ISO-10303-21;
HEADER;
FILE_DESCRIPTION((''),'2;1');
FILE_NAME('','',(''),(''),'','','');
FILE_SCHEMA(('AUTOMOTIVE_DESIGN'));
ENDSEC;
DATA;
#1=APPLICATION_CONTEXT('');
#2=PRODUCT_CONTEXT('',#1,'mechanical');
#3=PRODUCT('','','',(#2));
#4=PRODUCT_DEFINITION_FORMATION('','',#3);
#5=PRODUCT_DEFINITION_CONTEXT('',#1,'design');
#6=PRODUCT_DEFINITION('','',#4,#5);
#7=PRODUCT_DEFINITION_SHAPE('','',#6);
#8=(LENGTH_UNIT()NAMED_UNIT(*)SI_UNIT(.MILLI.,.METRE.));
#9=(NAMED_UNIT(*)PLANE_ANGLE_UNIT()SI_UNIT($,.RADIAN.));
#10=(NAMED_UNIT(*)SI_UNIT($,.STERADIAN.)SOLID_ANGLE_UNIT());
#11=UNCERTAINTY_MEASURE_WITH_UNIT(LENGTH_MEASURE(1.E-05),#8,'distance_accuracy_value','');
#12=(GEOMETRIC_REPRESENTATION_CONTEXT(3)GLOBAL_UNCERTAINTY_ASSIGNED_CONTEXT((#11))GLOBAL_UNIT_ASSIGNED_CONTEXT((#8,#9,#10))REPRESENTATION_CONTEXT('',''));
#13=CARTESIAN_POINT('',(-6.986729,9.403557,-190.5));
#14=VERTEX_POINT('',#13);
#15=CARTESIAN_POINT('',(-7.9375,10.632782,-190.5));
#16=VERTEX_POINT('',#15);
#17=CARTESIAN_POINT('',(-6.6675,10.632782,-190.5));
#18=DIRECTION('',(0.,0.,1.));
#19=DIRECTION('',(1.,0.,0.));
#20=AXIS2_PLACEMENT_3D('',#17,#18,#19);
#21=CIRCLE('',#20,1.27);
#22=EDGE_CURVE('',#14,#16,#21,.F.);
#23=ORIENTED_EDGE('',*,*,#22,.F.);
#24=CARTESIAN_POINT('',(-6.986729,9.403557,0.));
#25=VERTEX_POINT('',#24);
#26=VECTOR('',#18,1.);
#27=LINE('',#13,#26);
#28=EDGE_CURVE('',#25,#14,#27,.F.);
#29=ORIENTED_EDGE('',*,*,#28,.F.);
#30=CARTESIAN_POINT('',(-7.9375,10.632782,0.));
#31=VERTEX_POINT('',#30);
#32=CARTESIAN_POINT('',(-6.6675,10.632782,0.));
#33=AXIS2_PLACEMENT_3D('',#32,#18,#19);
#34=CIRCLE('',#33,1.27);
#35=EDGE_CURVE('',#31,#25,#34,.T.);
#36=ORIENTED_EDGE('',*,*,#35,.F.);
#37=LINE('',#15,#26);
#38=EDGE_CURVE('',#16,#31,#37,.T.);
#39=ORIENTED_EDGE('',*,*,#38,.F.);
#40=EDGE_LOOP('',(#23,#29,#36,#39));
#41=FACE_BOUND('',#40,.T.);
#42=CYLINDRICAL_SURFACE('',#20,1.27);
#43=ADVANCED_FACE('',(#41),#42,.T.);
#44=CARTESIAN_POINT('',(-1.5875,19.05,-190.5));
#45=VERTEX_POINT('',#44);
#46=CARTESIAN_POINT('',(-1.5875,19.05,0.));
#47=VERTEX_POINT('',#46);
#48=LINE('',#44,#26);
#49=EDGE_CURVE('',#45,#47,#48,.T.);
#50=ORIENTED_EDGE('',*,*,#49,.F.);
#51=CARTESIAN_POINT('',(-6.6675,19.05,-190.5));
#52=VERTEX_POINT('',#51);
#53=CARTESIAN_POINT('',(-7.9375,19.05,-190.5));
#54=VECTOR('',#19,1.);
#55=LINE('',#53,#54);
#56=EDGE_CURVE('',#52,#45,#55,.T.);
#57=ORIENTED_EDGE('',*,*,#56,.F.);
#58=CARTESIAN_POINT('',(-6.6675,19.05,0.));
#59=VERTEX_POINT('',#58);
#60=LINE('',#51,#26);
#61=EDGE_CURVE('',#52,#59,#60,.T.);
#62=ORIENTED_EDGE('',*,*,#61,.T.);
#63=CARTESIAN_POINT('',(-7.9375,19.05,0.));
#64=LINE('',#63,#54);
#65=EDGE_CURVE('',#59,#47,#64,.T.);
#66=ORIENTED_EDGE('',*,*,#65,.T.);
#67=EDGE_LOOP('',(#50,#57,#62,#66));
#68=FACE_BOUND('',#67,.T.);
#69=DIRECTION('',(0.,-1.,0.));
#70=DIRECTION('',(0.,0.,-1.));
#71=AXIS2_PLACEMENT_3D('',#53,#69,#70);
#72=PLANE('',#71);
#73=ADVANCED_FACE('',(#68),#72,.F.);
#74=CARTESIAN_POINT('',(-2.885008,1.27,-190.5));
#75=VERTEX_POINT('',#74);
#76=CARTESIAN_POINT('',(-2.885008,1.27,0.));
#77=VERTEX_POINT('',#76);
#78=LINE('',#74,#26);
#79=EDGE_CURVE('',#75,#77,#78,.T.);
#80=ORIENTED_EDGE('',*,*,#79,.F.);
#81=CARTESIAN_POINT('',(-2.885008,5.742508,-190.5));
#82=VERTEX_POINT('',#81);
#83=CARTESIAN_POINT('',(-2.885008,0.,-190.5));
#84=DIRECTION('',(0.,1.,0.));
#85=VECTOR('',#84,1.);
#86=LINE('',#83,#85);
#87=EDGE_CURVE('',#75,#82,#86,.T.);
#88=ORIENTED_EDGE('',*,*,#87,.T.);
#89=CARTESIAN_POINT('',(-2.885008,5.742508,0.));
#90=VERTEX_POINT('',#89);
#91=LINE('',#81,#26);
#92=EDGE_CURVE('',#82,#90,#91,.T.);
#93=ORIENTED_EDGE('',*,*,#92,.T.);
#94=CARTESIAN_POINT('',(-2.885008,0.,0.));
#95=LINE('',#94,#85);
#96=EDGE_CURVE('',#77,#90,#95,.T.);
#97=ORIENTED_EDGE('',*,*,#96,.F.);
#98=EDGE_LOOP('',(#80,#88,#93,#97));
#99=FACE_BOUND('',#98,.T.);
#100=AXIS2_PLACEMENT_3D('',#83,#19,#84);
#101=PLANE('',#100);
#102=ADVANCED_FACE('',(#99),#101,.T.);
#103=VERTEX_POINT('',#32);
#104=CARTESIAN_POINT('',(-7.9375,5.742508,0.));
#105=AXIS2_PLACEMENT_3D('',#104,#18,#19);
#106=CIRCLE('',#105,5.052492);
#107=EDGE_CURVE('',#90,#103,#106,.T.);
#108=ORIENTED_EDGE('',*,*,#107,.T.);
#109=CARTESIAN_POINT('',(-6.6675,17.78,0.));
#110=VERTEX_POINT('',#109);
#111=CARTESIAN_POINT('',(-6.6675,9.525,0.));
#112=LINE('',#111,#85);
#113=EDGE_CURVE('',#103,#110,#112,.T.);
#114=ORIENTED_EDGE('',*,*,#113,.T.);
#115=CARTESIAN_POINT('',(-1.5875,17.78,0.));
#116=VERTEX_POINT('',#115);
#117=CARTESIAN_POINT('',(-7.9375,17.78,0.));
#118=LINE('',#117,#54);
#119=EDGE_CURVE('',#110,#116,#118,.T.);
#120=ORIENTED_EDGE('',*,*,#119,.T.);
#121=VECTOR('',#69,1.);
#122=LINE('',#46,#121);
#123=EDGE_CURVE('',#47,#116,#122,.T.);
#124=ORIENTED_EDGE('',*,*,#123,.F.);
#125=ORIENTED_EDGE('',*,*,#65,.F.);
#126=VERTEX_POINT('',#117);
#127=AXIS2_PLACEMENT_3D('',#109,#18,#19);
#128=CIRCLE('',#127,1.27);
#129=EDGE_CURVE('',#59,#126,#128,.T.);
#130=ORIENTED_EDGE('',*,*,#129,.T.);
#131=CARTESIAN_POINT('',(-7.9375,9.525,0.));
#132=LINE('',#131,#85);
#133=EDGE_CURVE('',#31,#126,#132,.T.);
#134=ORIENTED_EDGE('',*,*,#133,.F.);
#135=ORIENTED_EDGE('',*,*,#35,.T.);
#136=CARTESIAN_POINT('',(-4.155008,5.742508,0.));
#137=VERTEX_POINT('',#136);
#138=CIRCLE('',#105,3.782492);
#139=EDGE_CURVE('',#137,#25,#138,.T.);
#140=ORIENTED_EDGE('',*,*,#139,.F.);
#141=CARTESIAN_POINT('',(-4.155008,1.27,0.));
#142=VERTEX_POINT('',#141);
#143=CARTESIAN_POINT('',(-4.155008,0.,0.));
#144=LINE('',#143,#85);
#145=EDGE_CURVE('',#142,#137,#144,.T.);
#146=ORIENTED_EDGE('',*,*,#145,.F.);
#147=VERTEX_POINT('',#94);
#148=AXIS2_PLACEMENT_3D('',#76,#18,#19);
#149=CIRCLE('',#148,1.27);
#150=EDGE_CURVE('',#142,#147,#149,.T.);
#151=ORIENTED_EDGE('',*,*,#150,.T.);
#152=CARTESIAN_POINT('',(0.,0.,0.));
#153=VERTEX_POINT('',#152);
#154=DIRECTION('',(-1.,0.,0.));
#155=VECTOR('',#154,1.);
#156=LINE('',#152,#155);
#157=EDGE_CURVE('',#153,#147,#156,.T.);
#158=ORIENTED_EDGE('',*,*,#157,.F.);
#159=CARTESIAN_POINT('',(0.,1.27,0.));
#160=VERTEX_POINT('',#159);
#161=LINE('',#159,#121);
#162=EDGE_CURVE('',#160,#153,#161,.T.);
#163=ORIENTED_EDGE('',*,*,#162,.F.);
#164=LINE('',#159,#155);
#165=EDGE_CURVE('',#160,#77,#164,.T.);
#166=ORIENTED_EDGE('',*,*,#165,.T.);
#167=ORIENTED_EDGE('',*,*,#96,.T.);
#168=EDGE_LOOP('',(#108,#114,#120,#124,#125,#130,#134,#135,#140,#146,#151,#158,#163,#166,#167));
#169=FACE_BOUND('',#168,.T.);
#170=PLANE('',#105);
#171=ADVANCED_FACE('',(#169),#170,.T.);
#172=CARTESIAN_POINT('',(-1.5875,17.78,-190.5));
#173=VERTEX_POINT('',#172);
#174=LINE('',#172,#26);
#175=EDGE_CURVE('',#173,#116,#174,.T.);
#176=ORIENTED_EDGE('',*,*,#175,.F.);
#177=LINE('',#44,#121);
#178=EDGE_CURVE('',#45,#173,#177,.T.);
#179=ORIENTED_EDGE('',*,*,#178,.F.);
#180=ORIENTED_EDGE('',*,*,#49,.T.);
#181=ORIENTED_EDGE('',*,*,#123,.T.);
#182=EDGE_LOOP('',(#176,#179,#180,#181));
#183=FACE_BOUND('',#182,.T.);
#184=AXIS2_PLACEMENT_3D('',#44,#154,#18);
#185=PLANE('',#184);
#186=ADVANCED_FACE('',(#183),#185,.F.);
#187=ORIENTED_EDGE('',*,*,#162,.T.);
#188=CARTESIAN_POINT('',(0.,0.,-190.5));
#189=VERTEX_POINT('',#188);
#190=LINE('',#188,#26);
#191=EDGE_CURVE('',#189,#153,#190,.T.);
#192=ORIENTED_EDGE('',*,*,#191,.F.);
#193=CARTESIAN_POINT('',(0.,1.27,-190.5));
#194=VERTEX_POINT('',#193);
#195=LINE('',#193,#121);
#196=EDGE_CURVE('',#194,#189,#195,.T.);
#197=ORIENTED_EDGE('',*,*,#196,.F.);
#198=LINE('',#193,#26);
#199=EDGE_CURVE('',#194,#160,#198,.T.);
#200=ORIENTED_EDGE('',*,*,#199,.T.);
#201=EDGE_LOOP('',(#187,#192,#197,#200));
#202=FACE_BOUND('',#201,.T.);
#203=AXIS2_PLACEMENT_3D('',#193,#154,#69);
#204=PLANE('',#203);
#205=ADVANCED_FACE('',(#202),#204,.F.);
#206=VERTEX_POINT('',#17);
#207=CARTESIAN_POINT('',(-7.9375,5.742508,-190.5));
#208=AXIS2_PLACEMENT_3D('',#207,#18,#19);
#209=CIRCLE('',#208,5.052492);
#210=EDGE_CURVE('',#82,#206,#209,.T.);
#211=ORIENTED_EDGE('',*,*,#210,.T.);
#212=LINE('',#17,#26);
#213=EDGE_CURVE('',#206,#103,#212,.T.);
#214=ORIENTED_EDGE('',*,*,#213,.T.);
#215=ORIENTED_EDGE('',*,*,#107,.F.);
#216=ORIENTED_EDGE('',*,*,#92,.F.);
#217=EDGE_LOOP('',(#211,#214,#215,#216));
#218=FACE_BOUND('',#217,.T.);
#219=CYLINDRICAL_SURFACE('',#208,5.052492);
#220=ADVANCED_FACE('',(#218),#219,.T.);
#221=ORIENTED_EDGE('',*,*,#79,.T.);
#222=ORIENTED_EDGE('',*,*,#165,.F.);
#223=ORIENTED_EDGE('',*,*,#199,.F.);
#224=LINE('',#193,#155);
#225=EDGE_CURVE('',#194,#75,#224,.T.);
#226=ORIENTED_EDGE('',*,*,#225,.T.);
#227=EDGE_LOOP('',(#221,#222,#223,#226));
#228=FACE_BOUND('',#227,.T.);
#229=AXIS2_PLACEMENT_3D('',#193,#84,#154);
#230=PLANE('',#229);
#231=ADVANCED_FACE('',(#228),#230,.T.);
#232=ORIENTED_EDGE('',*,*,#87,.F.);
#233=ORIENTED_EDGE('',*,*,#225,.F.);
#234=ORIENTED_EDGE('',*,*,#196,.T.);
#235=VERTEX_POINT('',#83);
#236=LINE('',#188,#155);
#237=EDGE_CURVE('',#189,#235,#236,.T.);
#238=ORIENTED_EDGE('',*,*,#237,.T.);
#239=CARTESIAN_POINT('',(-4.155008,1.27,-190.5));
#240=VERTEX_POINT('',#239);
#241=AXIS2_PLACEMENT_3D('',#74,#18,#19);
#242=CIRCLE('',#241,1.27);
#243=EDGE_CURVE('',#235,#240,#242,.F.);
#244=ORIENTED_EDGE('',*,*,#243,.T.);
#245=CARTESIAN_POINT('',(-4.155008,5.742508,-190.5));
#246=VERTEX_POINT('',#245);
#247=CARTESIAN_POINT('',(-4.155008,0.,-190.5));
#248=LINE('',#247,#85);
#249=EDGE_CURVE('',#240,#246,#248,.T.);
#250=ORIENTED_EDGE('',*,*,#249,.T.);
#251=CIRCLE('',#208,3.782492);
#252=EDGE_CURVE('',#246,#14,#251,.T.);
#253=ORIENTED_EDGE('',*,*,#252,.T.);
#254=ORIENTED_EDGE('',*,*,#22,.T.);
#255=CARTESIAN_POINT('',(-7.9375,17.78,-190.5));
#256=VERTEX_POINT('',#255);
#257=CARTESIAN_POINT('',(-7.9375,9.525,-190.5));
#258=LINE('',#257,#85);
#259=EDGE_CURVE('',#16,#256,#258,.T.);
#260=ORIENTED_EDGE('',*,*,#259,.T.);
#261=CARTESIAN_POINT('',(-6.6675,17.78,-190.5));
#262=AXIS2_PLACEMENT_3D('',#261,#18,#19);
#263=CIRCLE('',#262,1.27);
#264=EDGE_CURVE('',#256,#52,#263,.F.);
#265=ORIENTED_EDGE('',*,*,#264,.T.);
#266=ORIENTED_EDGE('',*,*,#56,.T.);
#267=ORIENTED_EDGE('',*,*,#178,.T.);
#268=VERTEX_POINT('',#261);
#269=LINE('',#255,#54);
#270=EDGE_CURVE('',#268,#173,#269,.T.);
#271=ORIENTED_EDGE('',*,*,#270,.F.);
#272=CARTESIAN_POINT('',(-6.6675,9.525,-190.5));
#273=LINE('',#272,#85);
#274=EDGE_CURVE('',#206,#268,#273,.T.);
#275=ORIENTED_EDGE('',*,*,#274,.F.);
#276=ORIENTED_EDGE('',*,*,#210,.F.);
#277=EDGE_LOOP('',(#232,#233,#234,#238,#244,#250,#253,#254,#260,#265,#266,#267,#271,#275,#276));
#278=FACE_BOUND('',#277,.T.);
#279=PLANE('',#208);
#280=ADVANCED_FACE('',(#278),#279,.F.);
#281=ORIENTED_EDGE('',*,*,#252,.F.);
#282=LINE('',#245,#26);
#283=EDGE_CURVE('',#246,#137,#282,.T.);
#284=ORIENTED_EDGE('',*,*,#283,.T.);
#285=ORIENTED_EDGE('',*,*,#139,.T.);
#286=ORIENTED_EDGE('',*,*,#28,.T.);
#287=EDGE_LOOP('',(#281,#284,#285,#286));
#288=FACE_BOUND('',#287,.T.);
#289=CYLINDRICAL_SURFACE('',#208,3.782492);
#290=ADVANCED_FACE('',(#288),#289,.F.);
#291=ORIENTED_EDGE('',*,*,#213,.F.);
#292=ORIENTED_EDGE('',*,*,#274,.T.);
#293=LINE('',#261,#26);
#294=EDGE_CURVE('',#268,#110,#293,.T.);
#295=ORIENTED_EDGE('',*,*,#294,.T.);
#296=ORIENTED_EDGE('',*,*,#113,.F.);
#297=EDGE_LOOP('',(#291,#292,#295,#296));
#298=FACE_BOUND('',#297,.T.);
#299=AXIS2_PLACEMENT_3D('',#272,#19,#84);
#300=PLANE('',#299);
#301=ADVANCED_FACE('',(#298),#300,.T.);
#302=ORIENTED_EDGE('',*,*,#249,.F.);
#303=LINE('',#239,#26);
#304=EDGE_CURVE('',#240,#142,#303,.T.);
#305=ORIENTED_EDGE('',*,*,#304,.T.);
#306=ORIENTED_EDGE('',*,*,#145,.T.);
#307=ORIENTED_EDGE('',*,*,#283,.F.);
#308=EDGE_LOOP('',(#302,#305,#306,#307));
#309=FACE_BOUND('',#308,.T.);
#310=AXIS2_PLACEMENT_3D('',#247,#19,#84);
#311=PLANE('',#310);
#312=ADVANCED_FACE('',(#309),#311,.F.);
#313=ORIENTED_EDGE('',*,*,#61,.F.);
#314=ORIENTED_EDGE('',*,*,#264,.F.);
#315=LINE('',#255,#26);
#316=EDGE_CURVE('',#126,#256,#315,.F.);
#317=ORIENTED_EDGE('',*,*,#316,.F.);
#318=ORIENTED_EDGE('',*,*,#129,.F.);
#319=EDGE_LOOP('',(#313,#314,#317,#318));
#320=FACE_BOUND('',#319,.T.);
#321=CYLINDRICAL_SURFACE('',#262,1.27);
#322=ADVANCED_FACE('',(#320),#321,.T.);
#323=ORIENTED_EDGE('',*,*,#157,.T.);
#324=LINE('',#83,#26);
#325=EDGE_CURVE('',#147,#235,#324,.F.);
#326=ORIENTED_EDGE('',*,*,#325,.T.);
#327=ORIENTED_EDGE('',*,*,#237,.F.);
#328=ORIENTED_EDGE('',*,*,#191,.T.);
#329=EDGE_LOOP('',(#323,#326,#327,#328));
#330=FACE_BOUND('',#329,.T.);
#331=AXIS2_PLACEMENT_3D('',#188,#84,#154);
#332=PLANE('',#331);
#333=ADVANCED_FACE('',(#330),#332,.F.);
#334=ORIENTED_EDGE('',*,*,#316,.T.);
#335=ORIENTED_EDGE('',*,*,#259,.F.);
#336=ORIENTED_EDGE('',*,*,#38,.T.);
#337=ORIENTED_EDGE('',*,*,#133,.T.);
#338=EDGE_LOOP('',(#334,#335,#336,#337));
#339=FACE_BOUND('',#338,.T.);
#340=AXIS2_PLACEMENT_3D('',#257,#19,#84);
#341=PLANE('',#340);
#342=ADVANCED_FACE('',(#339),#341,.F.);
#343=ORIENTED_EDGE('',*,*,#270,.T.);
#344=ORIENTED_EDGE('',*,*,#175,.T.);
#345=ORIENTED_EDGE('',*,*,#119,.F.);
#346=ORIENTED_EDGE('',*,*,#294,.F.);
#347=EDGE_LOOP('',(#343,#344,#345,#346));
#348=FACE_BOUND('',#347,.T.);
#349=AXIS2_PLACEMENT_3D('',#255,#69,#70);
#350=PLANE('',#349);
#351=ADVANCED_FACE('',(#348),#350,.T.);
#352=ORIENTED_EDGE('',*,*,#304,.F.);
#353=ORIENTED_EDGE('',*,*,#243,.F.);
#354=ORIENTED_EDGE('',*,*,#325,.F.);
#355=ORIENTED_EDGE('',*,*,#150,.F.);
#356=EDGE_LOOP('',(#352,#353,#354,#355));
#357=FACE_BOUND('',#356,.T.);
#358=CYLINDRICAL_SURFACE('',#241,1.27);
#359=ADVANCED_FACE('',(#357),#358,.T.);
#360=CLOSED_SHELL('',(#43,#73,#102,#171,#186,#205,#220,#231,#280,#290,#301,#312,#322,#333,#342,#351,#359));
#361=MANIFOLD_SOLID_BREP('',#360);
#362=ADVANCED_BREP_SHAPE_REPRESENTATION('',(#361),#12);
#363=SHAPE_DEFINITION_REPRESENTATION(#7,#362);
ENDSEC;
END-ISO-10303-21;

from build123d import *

# Parameters (mm, degrees)
EXTRUDE_THIN1_DEPTH = 190.5
FILLET1_R           = 1.27


with BuildPart() as part:
    # Sketch1 → Extrude-Thin1 (new body)
    with BuildSketch(Plane.XY):
        with BuildLine():
            Line((0, 0), (-4.1550082, 0))
            Line((-4.1550082, 0), (-4.1550082, 5.7425082))
            ThreePointArc((-4.1550082, 5.7425082), (-5.262874398, 8.417133802), (-7.9375, 9.525))
            Line((-7.9375, 9.525), (-7.9375, 19.05))
            Line((-7.9375, 19.05), (-1.5875, 19.05))
            Line((-1.5875, 19.05), (-1.5875, 17.78))
            Line((-1.5875, 17.78), (-6.6675, 17.78))
            Line((-6.6675, 17.78), (-6.6675, 10.632781545))
            ThreePointArc((-6.6675, 10.632781545), (-3.940980391, 8.833706091), (-2.8850082, 5.7425082))
            Line((-2.8850082, 5.7425082), (-2.8850082, 1.27))
            Line((-2.8850082, 1.27), (0, 1.27))
            Line((0, 1.27), (0, 0))
        make_face()
    extrude(amount=-EXTRUDE_THIN1_DEPTH)

    # Fillet1
    fillet1_edges = [part.edges().sort_by_distance(p)[0] for p in [
        (-4.1550082, 0, -95.25),
        (-7.9375, 9.525, -95.25),
        (-7.9375, 19.05, -95.25),
    ]]
    fillet(fillet1_edges, radius=FILLET1_R)


solid = part.part
